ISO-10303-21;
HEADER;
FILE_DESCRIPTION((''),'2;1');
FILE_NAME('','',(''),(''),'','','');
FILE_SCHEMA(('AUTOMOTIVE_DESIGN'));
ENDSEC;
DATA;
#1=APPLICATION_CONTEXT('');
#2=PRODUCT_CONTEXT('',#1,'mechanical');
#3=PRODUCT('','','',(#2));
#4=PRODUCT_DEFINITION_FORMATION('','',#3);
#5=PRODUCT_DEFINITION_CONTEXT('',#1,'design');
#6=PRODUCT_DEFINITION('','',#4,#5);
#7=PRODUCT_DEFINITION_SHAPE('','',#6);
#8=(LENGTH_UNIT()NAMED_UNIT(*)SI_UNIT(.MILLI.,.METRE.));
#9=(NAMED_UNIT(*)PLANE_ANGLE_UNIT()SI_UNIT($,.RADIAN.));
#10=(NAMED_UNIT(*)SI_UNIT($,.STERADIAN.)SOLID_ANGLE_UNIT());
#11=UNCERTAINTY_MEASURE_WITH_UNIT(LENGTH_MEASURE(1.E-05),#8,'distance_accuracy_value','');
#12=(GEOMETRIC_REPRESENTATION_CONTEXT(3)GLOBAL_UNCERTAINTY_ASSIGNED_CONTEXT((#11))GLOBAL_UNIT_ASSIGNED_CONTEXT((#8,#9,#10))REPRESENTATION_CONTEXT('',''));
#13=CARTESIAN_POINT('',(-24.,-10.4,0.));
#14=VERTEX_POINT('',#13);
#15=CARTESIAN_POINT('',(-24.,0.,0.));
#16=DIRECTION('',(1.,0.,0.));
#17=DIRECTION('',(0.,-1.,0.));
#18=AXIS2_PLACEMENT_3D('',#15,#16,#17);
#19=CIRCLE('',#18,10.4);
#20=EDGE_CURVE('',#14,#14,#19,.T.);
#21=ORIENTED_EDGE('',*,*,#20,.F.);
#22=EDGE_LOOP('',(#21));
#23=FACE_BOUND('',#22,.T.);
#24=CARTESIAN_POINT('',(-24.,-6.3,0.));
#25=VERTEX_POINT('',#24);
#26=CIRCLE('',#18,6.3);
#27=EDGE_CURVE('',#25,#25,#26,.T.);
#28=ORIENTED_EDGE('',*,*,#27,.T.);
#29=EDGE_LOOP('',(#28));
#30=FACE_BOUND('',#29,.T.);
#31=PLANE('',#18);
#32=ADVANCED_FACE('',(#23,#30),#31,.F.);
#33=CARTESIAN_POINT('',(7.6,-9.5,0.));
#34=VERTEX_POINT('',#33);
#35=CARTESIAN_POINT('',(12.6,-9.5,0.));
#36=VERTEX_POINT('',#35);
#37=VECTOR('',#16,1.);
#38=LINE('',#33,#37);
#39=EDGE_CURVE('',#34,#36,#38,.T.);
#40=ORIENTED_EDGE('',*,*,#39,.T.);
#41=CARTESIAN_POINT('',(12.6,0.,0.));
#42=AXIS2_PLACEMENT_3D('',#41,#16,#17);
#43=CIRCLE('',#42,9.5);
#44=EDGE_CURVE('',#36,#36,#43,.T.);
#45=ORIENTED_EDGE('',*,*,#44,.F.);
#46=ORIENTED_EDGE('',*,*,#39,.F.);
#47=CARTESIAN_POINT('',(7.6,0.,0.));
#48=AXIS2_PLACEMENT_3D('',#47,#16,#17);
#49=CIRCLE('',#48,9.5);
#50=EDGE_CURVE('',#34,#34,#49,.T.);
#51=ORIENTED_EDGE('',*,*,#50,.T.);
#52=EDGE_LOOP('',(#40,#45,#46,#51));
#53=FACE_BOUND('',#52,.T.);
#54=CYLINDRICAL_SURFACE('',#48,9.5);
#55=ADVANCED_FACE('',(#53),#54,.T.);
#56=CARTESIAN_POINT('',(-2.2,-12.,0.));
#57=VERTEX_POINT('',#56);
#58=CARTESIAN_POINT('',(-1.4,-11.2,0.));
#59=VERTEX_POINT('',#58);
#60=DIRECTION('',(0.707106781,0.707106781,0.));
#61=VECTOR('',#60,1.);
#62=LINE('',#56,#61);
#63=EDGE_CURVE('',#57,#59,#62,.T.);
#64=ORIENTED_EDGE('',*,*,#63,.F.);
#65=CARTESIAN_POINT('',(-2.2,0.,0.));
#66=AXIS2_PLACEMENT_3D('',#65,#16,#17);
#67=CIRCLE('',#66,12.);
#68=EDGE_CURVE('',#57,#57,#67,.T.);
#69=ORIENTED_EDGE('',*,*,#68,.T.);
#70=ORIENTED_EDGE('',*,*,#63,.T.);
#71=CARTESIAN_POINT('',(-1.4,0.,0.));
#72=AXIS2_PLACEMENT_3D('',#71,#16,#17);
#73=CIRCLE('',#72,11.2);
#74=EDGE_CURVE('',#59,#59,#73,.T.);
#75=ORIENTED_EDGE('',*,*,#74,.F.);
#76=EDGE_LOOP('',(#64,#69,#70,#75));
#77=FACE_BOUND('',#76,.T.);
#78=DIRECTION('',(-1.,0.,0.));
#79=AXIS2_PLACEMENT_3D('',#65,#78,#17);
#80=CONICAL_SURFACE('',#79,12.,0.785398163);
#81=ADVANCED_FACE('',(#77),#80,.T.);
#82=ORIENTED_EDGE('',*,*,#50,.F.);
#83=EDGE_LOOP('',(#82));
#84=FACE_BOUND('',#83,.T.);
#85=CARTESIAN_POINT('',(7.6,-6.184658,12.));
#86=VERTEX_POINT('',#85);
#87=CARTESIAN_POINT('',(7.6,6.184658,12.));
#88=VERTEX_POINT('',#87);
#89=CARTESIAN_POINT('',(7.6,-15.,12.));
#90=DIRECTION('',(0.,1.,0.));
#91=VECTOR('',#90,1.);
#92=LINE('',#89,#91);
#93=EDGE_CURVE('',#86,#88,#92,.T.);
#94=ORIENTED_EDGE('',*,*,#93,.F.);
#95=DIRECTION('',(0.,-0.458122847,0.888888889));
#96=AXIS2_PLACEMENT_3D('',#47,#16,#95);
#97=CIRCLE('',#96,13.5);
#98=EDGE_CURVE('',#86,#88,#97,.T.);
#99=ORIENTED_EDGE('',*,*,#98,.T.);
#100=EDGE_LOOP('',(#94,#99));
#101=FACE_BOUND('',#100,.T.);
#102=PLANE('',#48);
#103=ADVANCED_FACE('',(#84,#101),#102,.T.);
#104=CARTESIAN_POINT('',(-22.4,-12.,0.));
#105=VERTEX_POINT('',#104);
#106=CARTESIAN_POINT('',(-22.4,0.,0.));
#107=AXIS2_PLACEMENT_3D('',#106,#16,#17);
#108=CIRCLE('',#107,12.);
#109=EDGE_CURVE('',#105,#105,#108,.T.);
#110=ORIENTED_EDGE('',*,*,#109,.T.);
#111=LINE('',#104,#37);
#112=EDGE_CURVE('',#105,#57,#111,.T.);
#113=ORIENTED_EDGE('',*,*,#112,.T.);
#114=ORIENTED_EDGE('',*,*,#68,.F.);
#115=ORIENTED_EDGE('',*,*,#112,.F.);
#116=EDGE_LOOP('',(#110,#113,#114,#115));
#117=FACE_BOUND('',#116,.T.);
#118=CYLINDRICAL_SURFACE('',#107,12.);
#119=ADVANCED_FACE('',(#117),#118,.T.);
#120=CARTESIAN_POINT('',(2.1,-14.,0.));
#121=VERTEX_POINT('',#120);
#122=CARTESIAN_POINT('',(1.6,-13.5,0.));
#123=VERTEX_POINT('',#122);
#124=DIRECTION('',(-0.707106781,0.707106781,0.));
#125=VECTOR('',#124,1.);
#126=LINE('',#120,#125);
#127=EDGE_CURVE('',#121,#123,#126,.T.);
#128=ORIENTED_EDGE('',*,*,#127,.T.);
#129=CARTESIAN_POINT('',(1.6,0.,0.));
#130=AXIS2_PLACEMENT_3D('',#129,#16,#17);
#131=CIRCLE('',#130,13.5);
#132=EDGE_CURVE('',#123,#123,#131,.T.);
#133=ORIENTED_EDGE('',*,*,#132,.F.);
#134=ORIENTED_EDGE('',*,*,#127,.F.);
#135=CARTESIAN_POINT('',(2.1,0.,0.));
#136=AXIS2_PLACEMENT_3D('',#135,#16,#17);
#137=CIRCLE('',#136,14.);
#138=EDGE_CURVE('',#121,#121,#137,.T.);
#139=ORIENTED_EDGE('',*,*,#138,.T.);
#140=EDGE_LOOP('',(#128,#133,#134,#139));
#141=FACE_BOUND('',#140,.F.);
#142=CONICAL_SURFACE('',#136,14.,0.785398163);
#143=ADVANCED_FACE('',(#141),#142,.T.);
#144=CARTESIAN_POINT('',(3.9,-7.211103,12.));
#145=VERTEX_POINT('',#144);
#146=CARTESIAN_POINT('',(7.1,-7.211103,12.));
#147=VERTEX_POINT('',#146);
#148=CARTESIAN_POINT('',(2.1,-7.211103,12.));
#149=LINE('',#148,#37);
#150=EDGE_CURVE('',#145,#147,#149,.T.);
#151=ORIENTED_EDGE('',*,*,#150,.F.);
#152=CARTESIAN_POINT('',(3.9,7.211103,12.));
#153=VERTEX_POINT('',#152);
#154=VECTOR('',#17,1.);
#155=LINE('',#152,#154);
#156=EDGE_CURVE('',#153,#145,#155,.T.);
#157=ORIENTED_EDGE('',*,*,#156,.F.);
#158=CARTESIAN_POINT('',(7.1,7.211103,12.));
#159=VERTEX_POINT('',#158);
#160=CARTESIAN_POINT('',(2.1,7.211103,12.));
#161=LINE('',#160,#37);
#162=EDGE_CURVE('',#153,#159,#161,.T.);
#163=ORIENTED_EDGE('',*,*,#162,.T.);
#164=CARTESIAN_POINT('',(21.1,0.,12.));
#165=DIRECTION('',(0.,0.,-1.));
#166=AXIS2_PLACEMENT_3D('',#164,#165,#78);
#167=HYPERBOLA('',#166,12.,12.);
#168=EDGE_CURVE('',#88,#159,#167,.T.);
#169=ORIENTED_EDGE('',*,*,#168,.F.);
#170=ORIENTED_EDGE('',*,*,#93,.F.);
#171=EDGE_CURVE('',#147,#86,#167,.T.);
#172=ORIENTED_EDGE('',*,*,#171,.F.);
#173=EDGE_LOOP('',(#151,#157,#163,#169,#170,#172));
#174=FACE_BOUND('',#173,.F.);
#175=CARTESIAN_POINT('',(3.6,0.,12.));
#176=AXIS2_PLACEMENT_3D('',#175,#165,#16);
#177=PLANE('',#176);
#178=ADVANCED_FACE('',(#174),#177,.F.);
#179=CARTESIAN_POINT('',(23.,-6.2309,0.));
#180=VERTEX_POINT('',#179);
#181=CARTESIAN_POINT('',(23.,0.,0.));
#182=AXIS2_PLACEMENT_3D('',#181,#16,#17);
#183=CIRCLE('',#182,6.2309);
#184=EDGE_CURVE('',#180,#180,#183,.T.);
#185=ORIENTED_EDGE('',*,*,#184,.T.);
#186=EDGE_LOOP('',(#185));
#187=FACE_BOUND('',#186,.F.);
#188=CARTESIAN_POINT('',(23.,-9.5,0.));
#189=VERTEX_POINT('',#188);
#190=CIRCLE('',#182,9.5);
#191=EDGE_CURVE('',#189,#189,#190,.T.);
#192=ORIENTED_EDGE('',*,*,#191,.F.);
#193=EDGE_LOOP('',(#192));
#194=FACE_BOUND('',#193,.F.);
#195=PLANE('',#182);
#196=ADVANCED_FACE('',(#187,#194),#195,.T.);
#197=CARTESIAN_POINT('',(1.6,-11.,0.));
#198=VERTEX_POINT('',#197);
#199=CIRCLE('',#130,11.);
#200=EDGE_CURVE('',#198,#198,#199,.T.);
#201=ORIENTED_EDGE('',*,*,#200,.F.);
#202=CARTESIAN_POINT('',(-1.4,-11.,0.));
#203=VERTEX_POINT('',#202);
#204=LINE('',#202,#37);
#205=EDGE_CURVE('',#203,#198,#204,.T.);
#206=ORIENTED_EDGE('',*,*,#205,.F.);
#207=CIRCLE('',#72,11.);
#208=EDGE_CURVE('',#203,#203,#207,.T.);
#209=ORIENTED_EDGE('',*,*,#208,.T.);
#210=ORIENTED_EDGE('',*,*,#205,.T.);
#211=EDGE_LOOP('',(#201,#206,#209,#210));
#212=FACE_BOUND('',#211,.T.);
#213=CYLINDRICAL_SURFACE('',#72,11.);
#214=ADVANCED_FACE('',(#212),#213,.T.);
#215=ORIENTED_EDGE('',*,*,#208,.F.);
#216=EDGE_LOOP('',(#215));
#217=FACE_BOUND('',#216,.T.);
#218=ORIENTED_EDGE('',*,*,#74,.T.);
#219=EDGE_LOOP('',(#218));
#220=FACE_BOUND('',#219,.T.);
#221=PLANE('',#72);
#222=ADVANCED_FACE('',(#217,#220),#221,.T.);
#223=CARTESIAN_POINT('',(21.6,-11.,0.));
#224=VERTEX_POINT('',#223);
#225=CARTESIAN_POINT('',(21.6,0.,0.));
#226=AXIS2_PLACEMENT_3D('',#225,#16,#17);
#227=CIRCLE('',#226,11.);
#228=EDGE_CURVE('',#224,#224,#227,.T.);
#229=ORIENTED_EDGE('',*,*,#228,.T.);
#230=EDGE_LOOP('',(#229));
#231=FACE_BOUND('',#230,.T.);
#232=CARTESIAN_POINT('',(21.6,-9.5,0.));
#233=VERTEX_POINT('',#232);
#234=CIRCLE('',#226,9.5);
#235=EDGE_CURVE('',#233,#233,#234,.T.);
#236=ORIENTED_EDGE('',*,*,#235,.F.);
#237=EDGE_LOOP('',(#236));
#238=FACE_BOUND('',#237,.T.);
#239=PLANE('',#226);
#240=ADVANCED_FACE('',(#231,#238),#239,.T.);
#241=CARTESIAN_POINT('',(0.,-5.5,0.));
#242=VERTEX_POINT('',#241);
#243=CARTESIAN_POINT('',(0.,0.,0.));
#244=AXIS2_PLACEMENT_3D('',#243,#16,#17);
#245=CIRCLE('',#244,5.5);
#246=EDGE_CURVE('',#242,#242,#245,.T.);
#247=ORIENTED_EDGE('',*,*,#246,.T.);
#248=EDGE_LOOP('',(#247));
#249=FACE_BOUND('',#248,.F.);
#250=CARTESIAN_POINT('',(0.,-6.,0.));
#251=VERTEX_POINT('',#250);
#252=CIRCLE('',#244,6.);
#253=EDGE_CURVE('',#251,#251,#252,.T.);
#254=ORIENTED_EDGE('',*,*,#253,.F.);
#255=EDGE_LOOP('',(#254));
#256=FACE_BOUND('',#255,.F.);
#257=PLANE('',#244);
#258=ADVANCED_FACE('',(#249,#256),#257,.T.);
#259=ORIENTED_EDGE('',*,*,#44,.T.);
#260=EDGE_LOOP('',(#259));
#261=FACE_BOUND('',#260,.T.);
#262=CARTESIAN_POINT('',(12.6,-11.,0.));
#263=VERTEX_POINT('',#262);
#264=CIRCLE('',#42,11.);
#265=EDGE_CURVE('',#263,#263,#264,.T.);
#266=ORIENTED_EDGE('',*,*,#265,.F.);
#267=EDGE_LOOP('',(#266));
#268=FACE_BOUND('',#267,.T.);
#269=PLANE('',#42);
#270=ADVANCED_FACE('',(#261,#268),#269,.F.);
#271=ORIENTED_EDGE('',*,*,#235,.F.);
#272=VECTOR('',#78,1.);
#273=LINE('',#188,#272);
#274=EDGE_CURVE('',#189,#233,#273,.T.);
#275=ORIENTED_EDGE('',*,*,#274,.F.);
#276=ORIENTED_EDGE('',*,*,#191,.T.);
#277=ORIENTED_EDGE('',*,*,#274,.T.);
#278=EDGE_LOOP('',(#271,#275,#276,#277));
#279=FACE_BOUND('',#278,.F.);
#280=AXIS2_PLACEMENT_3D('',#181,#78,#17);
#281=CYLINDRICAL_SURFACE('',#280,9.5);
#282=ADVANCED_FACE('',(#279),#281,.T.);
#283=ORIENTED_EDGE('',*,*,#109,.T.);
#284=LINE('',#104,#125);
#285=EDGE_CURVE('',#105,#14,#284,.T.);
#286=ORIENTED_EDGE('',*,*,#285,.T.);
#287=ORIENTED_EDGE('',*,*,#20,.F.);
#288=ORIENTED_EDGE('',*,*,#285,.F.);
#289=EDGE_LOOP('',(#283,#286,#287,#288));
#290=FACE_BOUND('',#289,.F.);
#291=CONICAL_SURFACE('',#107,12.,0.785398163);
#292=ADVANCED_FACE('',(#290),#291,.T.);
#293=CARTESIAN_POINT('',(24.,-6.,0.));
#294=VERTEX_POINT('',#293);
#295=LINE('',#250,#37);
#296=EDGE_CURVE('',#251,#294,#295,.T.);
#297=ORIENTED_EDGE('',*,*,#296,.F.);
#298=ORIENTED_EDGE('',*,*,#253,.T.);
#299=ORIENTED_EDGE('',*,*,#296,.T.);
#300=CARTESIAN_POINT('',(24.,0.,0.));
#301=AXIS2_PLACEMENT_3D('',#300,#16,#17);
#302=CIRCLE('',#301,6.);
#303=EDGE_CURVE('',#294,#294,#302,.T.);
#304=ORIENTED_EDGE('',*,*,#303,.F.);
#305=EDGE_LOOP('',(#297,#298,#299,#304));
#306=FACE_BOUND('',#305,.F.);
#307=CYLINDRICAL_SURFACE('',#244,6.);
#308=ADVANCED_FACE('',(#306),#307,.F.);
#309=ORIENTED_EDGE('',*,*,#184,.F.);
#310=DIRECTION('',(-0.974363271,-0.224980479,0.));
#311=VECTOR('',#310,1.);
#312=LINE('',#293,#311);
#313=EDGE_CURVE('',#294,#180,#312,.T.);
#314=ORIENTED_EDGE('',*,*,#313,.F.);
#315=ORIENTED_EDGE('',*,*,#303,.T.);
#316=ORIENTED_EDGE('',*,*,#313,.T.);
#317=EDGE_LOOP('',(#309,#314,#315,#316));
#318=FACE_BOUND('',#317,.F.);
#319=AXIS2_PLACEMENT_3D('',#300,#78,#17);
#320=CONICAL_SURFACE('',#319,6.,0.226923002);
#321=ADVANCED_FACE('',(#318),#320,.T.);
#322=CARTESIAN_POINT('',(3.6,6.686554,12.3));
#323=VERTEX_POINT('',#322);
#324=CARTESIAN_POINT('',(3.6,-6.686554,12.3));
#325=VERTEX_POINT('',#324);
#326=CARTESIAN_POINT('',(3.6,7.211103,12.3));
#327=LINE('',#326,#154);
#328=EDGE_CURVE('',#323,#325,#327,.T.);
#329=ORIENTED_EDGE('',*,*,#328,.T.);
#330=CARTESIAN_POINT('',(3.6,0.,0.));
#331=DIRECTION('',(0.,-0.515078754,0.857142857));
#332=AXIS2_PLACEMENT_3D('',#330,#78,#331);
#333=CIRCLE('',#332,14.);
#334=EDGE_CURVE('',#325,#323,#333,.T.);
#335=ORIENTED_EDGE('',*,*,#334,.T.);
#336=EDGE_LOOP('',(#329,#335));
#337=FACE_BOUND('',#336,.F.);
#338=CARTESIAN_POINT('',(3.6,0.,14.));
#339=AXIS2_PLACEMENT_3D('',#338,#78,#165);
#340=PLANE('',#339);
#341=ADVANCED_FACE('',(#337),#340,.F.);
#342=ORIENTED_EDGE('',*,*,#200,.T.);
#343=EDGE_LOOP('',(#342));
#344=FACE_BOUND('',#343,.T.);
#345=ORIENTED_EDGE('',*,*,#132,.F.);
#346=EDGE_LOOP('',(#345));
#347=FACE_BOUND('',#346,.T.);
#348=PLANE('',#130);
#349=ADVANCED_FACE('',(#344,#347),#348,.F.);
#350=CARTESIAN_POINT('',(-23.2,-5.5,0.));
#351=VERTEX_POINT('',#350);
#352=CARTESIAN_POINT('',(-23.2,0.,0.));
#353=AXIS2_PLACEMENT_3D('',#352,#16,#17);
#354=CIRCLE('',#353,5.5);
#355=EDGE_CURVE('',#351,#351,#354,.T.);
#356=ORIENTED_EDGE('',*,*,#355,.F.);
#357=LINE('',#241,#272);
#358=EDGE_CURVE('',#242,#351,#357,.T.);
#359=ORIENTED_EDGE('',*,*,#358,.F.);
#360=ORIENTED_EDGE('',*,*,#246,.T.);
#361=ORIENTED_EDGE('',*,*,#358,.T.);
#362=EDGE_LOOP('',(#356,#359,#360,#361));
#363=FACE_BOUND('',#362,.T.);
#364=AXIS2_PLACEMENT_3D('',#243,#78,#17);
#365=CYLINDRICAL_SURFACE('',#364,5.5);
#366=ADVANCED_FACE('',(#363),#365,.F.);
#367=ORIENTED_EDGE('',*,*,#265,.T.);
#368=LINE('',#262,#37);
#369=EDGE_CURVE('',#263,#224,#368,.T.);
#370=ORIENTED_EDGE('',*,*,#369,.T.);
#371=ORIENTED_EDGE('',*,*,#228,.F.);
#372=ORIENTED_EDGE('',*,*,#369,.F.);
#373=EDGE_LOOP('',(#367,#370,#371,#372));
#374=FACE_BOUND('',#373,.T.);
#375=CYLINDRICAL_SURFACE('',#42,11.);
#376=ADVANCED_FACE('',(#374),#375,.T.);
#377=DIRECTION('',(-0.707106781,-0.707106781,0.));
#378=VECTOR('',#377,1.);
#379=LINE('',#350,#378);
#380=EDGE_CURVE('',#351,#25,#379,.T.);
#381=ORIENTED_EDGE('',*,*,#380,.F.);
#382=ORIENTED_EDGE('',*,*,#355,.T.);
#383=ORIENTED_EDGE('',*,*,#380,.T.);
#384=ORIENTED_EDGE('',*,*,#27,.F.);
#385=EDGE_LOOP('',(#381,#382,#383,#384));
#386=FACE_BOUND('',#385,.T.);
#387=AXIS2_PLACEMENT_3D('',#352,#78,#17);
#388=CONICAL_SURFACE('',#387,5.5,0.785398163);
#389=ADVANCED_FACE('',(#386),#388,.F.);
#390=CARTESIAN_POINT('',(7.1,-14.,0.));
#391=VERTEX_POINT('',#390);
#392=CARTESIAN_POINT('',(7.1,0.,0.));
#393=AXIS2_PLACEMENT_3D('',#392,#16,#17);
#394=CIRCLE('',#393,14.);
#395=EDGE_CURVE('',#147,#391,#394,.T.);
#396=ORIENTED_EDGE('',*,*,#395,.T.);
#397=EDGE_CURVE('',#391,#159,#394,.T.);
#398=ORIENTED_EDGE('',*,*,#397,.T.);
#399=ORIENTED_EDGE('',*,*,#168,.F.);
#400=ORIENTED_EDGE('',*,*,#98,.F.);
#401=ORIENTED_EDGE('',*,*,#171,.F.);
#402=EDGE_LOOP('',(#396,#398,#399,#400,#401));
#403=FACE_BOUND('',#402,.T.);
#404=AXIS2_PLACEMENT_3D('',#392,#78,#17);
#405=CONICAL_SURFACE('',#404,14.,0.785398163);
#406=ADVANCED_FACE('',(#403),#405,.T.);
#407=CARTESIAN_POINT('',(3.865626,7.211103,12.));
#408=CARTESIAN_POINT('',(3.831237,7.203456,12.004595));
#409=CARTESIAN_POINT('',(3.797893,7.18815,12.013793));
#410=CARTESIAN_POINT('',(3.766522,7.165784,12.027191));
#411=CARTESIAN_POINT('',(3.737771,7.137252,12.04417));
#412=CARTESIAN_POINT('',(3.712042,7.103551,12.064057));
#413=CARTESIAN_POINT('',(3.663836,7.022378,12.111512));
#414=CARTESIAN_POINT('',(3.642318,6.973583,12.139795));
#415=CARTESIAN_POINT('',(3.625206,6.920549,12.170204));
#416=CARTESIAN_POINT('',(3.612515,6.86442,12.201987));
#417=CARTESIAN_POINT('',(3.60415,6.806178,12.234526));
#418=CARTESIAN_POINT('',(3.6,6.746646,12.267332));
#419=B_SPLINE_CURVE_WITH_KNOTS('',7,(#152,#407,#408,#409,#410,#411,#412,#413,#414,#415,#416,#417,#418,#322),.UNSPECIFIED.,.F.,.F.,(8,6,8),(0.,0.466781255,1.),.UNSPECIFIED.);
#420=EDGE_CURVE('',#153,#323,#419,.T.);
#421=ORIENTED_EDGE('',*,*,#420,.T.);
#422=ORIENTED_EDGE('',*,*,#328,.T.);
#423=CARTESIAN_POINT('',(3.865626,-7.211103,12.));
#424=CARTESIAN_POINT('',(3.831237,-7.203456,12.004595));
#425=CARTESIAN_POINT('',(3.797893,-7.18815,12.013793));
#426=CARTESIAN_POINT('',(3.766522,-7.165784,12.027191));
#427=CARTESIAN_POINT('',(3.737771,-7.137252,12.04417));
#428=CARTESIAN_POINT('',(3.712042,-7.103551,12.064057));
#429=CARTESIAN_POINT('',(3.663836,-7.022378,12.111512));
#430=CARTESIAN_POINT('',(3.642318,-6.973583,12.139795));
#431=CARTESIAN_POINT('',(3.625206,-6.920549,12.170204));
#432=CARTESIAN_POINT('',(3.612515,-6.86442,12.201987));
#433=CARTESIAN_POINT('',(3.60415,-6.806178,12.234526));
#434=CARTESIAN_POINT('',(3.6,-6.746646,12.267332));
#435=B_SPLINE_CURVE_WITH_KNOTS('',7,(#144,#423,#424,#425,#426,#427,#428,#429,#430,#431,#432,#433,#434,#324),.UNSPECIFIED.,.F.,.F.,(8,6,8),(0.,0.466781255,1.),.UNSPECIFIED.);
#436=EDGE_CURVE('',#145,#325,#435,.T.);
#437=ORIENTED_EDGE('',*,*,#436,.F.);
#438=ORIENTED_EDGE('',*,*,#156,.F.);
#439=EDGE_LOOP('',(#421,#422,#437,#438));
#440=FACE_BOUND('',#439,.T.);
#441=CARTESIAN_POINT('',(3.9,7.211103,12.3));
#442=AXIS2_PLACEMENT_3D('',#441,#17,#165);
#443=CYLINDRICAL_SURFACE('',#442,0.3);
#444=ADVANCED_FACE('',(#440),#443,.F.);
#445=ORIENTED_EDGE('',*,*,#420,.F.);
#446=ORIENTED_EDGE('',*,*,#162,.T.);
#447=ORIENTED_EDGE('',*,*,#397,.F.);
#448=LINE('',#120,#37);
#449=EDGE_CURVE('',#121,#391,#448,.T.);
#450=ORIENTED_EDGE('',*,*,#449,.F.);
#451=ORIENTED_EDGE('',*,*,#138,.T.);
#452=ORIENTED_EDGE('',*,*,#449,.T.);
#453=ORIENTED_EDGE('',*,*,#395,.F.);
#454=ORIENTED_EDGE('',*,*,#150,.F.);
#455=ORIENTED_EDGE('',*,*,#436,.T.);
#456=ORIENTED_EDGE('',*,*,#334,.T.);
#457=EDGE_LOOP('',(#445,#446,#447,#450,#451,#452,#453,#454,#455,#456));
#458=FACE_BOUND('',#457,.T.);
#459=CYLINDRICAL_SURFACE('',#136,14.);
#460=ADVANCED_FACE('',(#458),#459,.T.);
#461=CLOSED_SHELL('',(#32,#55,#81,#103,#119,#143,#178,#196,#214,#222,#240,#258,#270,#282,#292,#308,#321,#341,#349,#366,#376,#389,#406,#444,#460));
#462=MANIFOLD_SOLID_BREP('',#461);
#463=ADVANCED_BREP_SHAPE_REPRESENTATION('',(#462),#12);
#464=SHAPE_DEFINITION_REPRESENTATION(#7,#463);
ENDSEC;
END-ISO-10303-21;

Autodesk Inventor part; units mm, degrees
ref_plane "YZ Plane" through (0, 0, 0) normal (1, 0, 0) x (0, 1, 0)
ref_plane "XZ Plane" through (0, 0, 0) normal (0, 1, 0) x (-1, 0, 0)
ref_plane "XY Plane" through (0, 0, 0) normal (0, 0, 1) x (1, 0, 0)
sketch "Эскиз1" plane through (0, 0, 0) normal (0, 0, 1) x (1, 0, 0)
  line L0 (-24, 0) -> (24, 0)
  line L1 (0, -5.5) -> (-23.2, -5.5)
  line L2 (-24, -6.3) -> (-24, -10.4)
  line L3 (0, -5.5) -> (0, -6)
  line L4 (0, -6) -> (24, -6)
  line L5 (-23.2, -5.5) -> (-24, -6.3)
  line L6 (-22.4, -12) -> (-2.2, -12)
  line L7 (-22.4, -12) -> (-24, -10.4)
  line L8 (-1.4, -11.2) -> (-1.4, -11)
  line L9 (-1.4, -11) -> (1.6, -11)
  line L10 (-2.2, -12) -> (-1.4, -11.2)
  line L11 (1.6, -11) -> (1.6, -13.5)
  line L12 (2.1, -14) -> (7.1, -14)
  line L13 (7.6, -13.5) -> (7.6, -9.5)
  line L14 (7.6, -9.5) -> (12.6, -9.5)
  line L15 (2.1, -14) -> (1.6, -13.5)
  line L16 (7.1, -14) -> (7.6, -13.5)
  line L17 (12.6, -9.5) -> (12.6, -11)
  line L18 (12.6, -11) -> (21.6, -11)
  line L19 (21.6, -11) -> (21.6, -9.5)
  line L20 (24, -6) -> (23, -6.2309)
  line L21 (23, -6.2309) -> (23, -9.5)
  line L22 (23, -9.5) -> (21.6, -9.5)
  point P0 (0, 0)
  point P1 (0, 0)
  point P2 (-24, -5.5)
  point P3 (-24, -12)
  point P4 (-1.4, -12)
  point P5 (1.6, -14)
  point P6 (7.6, -14)
  dimension "d0" = 48
  dimension "d24" = 12
  dimension "d25" = 11
  dimension "d26" = 24
  dimension "d27" = 0.8
  dimension "d28" = 45
  dimension "d29" = 24
  dimension "d30" = 1.6
  dimension "d31" = 45
  dimension "d32" = 22
  dimension "d33" = 0.8
  dimension "d34" = 45
  dimension "d35" = 3
  dimension "d36" = 24
  dimension "d37" = 0.5
  dimension "d38" = 45
  dimension "d39" = 0.5
  dimension "d40" = 45
  dimension "d41" = 19
  dimension "d42" = 6
  dimension "d43" = 5
  dimension "d44" = 22
  dimension "d47" = 13
  dimension "d49" = 14
  dimension "d50" = 19
  dimension "d51" = 1
  dimension "d52" = 28
revolve "Вращение1" add sketch "Эскиз1" angle 360 about axis through (-24, 0, 0) along (1, 0, 0)
sketch "Эскиз2" plane through (0, 0, 0) normal (0, 1, 0) x (-1, 0, 0)
  line L0 (-1.6, -13.5) -> (-1.6, 13.5) projected
  line L1 (-7.1, 14) -> (-2.1, 14) projected
  line L2 (-7.6, 13.5) -> (-7.1, 14) projected
  line L3 (-7.6, -13.5) -> (-7.6, 13.5) projected
  line L4 (-2.1, 14) -> (-1.6, 13.5) projected
  line L5 (-3.6, 14) -> (-3.6, 12)
  line L6 (-3.6, 12) -> (-7.6, 12)
  line L7 (2.2, 12) -> (22.4, 12) projected
  point P0 (0, 0)
  dimension "d54" = 2
extrude "Выдавливание1" cut sketch "Эскиз2" along normal through all both and the other way through all
fillet "Сопряжение1" radius 0.3 1 edges at (3.6, 0, 12)
thread "Резьба1" size "M22x1.5" class "6g" standard "ISO Metric profile" full length
equation "\"d39\" = d37"
equation "\"d40\" = d38"
properties part number "411. Штуцер гибкого вала"
